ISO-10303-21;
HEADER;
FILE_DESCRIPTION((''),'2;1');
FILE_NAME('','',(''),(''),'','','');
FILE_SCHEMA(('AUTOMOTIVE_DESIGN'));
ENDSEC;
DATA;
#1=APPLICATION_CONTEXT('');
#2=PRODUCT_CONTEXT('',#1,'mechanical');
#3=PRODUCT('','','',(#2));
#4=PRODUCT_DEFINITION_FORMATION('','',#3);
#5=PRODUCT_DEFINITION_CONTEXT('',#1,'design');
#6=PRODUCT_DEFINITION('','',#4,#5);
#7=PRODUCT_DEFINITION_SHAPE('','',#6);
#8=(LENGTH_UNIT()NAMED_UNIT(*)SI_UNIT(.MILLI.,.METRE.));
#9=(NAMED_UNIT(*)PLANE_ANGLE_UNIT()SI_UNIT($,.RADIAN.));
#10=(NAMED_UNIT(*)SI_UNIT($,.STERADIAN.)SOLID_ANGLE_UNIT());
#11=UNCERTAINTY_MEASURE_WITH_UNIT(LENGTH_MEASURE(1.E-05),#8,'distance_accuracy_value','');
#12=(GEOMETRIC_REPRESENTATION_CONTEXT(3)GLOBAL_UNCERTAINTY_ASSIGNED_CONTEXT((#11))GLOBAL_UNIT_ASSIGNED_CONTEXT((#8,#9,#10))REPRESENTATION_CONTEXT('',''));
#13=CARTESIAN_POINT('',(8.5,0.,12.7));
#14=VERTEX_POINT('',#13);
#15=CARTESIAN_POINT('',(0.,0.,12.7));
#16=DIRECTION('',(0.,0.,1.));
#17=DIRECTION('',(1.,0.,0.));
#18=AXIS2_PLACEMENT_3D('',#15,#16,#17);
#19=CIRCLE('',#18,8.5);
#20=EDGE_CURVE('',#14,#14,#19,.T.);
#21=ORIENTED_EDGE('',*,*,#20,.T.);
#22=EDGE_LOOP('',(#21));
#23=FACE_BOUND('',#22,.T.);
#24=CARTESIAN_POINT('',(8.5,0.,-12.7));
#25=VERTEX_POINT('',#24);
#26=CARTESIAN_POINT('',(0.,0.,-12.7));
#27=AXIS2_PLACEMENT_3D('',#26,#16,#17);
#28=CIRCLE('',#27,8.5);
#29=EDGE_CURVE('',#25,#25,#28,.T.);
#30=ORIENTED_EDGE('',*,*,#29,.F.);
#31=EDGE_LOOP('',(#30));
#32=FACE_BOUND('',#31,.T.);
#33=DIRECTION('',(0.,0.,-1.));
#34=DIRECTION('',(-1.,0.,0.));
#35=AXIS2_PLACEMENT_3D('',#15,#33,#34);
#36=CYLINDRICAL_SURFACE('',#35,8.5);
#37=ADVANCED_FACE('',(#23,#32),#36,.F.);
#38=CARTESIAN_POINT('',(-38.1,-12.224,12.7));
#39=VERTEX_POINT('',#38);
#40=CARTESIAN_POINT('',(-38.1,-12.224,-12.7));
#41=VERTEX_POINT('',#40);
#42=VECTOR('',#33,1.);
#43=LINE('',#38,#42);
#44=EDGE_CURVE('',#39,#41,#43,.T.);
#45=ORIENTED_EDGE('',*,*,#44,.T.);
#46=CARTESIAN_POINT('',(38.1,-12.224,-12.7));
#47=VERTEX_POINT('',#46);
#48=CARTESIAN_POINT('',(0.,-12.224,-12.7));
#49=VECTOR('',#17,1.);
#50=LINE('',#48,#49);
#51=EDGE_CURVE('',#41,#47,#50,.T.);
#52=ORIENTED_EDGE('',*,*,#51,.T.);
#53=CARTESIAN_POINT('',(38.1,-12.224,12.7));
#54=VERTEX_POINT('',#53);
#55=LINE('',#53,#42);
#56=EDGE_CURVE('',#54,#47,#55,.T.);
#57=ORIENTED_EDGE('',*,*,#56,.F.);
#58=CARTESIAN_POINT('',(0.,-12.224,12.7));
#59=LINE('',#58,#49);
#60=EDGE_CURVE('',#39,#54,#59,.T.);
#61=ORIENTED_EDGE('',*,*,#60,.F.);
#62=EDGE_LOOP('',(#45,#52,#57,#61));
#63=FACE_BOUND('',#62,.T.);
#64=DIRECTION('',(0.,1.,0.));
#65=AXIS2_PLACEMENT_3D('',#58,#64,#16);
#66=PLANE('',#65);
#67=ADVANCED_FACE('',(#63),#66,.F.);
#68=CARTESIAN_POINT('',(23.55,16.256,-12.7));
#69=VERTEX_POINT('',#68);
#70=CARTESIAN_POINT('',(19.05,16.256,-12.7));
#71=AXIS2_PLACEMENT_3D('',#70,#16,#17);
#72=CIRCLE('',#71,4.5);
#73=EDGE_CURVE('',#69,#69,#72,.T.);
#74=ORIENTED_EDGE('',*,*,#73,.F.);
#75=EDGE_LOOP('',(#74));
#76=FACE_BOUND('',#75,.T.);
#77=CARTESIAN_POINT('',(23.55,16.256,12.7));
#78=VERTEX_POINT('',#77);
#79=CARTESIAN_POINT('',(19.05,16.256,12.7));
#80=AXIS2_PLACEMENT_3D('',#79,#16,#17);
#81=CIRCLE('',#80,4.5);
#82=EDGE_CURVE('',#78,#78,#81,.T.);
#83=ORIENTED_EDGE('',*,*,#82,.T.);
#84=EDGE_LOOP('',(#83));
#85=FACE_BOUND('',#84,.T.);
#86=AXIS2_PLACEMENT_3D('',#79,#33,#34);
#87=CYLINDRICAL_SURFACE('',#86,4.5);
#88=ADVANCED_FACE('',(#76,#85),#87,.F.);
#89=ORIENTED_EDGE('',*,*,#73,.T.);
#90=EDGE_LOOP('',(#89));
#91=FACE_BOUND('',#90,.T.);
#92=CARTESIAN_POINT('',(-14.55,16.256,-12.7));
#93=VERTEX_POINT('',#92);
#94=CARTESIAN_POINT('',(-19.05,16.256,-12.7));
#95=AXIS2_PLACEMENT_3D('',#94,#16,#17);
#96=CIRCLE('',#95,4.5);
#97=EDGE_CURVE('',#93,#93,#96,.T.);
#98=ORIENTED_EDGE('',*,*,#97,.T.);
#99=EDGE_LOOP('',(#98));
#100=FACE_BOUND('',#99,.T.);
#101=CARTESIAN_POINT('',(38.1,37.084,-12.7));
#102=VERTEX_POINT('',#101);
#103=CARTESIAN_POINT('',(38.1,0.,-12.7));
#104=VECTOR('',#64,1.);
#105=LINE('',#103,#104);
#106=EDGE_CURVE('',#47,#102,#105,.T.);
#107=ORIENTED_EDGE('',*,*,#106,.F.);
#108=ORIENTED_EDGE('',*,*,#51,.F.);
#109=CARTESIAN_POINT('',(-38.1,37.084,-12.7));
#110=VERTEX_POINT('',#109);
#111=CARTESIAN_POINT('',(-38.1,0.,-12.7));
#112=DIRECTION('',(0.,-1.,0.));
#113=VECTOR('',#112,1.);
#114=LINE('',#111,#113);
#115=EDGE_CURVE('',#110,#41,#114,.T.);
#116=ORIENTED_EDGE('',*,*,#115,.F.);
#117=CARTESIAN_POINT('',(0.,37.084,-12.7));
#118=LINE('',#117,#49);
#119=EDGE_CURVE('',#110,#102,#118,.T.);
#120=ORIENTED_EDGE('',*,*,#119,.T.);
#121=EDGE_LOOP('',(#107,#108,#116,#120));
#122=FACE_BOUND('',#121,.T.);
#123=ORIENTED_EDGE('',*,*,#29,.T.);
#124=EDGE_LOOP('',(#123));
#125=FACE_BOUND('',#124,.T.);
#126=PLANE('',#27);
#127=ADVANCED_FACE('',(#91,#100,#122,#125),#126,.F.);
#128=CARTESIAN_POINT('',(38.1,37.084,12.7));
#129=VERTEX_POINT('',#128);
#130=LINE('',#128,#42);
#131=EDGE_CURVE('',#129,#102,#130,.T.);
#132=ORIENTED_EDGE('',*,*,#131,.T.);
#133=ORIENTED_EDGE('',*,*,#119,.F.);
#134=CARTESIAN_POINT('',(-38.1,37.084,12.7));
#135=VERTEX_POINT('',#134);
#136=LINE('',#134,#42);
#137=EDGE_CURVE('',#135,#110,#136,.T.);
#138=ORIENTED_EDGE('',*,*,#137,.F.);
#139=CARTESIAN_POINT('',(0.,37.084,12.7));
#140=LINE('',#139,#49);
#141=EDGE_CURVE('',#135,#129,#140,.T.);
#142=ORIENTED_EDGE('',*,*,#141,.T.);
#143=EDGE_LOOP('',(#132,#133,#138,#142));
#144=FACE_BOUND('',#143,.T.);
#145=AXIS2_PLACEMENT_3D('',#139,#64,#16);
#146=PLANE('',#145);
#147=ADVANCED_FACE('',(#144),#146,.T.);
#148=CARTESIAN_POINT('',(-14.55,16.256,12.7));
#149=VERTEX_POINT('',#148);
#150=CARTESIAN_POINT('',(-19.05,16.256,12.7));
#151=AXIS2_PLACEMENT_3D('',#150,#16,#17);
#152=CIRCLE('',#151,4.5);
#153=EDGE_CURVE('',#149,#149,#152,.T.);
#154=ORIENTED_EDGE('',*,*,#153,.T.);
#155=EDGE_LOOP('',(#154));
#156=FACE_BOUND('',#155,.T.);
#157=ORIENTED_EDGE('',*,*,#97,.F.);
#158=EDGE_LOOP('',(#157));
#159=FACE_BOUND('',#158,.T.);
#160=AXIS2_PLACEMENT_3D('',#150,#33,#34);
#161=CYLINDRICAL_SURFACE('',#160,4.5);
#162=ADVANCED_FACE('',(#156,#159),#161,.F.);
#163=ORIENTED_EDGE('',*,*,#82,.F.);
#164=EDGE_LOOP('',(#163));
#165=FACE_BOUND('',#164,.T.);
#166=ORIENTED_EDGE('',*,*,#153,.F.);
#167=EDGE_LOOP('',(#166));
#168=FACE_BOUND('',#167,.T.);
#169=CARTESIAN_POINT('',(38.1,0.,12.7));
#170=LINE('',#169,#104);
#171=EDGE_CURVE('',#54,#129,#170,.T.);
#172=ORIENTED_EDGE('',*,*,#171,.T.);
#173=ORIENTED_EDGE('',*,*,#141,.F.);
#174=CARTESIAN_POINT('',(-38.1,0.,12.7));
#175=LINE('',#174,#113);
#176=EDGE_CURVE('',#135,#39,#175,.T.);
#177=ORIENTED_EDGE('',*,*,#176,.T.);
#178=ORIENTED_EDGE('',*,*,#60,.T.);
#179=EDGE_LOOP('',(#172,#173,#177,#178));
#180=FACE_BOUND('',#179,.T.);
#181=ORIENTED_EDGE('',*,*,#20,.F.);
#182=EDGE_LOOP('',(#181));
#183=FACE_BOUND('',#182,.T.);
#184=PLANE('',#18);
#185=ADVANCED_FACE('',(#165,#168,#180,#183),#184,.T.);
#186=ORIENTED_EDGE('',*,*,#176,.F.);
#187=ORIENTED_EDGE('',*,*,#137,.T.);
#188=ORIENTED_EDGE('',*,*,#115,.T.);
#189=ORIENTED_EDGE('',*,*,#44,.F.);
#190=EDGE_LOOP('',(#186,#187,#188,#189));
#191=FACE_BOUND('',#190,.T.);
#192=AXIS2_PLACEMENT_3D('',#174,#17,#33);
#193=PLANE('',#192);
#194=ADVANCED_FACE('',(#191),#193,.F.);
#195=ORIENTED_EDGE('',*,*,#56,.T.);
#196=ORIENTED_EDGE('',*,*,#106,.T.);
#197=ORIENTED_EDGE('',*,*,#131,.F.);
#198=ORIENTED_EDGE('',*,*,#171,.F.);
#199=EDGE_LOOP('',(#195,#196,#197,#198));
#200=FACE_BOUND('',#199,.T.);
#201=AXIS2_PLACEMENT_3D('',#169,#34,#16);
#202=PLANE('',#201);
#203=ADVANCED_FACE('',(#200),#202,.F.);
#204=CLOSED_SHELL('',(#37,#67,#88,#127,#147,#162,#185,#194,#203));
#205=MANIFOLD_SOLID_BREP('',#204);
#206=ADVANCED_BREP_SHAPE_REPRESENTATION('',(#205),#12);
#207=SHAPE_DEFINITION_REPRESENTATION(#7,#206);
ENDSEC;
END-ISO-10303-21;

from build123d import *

# Parameters (mm, degrees)
SKETCH1_R           = 4.5
SKETCH1_R_2         = 8.5
BOSS_EXTRUDE1_DEPTH = 12.7


with BuildPart() as part:
    # Sketch1 → Boss-Extrude1 (new, symmetric)
    with BuildSketch(Plane.XY):
        Polygon((-38.1, 37.084), (38.1, 37.084), (38.1, 12.224), (38.1, -12.224), (-38.1, -12.224), (-38.1, 12.224), align=None)
        with Locations((-19.05, 16.256)):
            Circle(SKETCH1_R, mode=Mode.SUBTRACT)
        with Locations((19.05, 16.256)):
            Circle(SKETCH1_R, mode=Mode.SUBTRACT)
        Circle(SKETCH1_R_2, mode=Mode.SUBTRACT)
    extrude(amount=BOSS_EXTRUDE1_DEPTH, both=True)


solid = part.part
